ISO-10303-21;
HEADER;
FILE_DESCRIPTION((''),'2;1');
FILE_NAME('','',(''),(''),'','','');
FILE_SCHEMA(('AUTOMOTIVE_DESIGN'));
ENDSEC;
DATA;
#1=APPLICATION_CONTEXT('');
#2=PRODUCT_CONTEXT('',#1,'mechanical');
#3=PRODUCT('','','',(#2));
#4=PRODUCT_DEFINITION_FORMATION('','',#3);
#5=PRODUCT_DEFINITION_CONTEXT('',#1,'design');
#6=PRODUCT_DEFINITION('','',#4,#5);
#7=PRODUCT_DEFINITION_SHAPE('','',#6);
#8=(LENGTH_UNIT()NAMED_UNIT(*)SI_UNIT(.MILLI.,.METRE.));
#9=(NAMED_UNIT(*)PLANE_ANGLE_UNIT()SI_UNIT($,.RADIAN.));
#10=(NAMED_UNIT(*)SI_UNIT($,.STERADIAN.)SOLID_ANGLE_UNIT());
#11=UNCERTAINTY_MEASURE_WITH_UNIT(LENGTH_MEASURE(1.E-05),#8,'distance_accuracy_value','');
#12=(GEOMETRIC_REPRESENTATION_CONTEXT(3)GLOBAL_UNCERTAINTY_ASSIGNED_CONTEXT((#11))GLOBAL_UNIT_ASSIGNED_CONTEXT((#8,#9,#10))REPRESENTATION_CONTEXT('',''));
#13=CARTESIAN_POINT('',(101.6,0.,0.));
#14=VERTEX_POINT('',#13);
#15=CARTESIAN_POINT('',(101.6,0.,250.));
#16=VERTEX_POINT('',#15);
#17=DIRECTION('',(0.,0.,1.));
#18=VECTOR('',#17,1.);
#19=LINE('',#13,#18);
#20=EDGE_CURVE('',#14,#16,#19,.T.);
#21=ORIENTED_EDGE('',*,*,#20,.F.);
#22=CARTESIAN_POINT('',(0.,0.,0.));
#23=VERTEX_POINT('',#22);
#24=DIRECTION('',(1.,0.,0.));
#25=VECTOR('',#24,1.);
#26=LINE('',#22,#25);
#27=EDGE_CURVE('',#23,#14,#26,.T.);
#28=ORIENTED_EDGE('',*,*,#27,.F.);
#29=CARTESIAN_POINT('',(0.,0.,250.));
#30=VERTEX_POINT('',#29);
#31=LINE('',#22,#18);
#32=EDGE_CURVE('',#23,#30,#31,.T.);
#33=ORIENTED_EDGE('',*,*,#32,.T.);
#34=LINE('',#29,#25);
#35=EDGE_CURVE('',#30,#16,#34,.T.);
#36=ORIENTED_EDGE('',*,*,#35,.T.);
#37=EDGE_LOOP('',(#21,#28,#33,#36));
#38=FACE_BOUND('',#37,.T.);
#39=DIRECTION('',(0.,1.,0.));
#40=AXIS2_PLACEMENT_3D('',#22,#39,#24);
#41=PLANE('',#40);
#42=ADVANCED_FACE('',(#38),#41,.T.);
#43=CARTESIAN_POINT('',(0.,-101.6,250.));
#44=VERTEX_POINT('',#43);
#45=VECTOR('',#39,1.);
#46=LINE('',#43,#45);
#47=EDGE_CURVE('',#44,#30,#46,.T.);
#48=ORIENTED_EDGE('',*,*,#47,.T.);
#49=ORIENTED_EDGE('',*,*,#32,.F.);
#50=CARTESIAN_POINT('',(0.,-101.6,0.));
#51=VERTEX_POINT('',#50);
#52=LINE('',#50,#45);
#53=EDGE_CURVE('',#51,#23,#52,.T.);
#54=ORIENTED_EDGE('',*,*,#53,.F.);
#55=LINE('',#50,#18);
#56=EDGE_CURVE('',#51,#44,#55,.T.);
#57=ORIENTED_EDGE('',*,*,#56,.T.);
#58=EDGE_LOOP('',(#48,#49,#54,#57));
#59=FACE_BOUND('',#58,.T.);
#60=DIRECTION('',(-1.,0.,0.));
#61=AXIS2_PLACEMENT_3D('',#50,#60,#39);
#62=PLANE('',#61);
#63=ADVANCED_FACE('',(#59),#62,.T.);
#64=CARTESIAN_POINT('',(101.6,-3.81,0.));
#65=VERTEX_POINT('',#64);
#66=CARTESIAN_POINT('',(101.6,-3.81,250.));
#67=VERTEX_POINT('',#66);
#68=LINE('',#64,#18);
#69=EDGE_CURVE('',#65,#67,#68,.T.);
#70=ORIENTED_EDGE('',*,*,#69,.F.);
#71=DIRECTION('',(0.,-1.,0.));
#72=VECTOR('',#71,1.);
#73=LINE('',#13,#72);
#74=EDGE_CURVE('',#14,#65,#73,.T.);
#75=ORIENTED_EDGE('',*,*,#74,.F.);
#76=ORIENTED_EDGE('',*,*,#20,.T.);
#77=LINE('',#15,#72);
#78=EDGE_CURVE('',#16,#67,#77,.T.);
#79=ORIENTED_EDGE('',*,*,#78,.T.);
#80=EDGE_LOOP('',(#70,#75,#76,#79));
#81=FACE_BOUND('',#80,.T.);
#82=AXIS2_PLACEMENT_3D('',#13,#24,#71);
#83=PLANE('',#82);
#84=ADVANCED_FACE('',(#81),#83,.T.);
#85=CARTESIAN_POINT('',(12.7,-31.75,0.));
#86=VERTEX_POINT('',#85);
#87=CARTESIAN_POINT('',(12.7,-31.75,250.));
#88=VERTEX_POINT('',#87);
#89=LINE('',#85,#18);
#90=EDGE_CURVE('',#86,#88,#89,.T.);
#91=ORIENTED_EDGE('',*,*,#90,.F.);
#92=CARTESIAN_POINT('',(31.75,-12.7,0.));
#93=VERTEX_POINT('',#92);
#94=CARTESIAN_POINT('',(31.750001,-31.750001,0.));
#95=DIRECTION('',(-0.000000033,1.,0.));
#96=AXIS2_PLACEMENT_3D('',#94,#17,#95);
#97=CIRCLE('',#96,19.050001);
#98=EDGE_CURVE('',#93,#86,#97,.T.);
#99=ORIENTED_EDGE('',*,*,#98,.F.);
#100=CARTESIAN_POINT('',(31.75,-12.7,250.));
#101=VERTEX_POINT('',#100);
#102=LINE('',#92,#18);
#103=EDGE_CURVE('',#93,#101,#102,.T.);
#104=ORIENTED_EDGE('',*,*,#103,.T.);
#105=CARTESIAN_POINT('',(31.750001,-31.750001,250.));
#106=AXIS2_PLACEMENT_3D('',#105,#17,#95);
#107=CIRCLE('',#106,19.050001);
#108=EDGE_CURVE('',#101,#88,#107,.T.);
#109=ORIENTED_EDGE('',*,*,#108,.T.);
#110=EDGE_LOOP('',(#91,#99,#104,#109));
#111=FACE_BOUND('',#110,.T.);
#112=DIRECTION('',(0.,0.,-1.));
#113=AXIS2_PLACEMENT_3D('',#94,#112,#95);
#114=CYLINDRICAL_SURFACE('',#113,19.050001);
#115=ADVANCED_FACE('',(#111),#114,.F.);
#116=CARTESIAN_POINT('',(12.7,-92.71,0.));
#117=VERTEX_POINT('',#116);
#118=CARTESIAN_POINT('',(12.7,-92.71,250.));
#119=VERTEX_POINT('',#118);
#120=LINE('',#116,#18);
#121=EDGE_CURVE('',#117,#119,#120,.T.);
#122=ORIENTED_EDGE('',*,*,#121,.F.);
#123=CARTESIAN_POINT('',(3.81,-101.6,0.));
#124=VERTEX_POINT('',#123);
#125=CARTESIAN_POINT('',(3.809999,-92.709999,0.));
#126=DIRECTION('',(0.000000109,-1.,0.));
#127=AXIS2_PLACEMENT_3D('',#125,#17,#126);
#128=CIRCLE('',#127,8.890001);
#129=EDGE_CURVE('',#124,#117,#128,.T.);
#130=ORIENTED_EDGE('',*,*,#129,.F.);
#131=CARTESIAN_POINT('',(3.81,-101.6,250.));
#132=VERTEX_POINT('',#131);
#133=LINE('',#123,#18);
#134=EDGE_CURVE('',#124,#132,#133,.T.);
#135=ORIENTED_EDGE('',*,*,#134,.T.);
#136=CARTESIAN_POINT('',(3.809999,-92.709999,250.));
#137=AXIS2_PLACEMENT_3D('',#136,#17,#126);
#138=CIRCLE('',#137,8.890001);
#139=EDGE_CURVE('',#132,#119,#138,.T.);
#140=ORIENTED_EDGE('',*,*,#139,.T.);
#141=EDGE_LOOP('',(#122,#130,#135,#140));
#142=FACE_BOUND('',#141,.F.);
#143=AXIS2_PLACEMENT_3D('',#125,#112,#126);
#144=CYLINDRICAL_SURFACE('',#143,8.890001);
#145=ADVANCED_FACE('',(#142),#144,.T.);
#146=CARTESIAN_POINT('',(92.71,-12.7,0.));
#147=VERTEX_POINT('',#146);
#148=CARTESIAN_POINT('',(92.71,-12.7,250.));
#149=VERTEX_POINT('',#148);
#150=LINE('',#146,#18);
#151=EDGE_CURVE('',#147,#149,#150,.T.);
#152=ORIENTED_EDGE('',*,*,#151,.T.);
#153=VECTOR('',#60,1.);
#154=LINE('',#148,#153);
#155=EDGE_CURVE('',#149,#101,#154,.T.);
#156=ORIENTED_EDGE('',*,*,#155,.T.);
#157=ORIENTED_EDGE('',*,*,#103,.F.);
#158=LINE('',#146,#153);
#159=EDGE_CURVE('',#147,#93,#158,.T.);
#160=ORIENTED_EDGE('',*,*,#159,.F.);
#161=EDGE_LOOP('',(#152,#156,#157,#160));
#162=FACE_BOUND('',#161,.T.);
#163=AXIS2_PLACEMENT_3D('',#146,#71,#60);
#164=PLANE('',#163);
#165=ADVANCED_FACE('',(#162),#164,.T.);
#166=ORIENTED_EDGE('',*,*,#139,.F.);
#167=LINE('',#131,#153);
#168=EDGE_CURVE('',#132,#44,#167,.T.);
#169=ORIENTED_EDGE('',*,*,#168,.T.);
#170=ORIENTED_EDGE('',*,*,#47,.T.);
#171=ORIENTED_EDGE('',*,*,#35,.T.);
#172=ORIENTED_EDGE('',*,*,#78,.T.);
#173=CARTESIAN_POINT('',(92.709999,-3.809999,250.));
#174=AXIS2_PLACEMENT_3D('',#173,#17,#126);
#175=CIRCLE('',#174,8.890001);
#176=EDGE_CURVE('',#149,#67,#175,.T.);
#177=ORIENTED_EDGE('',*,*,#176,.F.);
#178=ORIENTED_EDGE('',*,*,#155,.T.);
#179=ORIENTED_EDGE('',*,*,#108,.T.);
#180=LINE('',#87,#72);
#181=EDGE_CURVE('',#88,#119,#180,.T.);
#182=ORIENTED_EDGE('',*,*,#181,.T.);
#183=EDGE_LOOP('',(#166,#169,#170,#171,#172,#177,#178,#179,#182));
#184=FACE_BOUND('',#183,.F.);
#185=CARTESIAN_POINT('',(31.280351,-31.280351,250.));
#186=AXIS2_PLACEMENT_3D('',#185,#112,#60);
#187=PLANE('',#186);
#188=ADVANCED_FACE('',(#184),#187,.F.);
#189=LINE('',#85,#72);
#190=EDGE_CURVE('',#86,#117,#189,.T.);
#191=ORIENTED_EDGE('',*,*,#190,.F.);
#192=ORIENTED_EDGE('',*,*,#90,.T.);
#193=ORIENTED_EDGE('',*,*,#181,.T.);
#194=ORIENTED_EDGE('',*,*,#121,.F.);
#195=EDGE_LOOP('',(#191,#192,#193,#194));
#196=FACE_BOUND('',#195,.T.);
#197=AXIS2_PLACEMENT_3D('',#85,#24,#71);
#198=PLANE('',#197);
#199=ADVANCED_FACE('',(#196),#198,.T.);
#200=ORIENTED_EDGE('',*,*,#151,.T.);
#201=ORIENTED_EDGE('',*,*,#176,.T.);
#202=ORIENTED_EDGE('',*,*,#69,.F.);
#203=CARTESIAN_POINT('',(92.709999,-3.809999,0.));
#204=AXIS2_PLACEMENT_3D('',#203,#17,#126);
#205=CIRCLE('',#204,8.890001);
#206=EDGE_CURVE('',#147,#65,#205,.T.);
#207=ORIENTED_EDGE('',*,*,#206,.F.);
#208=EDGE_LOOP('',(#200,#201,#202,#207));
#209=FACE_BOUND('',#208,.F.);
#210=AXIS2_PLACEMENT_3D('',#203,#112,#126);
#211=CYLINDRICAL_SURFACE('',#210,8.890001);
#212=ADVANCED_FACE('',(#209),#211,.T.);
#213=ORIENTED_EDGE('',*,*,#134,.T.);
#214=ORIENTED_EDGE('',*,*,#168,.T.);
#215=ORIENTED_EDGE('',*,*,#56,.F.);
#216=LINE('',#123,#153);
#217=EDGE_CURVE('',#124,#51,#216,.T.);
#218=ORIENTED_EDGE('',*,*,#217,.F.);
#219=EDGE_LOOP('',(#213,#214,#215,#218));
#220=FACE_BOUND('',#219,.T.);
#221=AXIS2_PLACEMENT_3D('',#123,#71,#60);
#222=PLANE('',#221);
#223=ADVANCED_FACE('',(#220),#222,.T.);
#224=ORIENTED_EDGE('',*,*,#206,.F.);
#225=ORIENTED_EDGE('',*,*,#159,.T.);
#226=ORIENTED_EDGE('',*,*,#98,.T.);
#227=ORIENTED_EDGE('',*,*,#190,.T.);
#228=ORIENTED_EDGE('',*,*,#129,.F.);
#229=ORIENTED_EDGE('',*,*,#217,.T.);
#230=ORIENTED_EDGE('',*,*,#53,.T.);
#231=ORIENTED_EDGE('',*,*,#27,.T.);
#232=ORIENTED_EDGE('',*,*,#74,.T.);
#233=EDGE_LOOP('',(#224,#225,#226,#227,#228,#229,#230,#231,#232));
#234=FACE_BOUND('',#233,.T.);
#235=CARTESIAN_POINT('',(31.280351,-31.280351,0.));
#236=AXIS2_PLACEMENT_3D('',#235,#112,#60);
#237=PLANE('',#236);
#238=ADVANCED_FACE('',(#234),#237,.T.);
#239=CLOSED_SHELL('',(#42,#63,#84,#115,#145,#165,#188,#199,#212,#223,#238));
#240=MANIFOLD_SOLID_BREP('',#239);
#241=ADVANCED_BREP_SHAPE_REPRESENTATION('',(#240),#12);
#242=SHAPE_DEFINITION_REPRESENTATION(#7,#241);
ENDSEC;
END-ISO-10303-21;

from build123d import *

# Parameters (mm, degrees)
PAD_DEPTH = 250


with BuildPart() as part:
    # Sketch → Pad (new body)
    with BuildSketch(Plane.XY):
        with BuildLine():
            Line((0, 0), (101.6, 0))
            Line((101.6, 0), (101.6, -3.81))
            ThreePointArc((92.71, -12.7), (98.996179, -10.096179), (101.6, -3.81))
            Line((92.71, -12.7), (31.75, -12.7))
            ThreePointArc((31.75, -12.7), (18.279616, -18.279616), (12.7, -31.75))
            Line((12.7, -31.75), (12.7, -92.71))
            ThreePointArc((3.81, -101.6), (10.096179, -98.996179), (12.7, -92.71))
            Line((3.81, -101.6), (0, -101.6))
            Line((0, -101.6), (0, 0))
        make_face()
    extrude(amount=PAD_DEPTH)


solid = part.part
